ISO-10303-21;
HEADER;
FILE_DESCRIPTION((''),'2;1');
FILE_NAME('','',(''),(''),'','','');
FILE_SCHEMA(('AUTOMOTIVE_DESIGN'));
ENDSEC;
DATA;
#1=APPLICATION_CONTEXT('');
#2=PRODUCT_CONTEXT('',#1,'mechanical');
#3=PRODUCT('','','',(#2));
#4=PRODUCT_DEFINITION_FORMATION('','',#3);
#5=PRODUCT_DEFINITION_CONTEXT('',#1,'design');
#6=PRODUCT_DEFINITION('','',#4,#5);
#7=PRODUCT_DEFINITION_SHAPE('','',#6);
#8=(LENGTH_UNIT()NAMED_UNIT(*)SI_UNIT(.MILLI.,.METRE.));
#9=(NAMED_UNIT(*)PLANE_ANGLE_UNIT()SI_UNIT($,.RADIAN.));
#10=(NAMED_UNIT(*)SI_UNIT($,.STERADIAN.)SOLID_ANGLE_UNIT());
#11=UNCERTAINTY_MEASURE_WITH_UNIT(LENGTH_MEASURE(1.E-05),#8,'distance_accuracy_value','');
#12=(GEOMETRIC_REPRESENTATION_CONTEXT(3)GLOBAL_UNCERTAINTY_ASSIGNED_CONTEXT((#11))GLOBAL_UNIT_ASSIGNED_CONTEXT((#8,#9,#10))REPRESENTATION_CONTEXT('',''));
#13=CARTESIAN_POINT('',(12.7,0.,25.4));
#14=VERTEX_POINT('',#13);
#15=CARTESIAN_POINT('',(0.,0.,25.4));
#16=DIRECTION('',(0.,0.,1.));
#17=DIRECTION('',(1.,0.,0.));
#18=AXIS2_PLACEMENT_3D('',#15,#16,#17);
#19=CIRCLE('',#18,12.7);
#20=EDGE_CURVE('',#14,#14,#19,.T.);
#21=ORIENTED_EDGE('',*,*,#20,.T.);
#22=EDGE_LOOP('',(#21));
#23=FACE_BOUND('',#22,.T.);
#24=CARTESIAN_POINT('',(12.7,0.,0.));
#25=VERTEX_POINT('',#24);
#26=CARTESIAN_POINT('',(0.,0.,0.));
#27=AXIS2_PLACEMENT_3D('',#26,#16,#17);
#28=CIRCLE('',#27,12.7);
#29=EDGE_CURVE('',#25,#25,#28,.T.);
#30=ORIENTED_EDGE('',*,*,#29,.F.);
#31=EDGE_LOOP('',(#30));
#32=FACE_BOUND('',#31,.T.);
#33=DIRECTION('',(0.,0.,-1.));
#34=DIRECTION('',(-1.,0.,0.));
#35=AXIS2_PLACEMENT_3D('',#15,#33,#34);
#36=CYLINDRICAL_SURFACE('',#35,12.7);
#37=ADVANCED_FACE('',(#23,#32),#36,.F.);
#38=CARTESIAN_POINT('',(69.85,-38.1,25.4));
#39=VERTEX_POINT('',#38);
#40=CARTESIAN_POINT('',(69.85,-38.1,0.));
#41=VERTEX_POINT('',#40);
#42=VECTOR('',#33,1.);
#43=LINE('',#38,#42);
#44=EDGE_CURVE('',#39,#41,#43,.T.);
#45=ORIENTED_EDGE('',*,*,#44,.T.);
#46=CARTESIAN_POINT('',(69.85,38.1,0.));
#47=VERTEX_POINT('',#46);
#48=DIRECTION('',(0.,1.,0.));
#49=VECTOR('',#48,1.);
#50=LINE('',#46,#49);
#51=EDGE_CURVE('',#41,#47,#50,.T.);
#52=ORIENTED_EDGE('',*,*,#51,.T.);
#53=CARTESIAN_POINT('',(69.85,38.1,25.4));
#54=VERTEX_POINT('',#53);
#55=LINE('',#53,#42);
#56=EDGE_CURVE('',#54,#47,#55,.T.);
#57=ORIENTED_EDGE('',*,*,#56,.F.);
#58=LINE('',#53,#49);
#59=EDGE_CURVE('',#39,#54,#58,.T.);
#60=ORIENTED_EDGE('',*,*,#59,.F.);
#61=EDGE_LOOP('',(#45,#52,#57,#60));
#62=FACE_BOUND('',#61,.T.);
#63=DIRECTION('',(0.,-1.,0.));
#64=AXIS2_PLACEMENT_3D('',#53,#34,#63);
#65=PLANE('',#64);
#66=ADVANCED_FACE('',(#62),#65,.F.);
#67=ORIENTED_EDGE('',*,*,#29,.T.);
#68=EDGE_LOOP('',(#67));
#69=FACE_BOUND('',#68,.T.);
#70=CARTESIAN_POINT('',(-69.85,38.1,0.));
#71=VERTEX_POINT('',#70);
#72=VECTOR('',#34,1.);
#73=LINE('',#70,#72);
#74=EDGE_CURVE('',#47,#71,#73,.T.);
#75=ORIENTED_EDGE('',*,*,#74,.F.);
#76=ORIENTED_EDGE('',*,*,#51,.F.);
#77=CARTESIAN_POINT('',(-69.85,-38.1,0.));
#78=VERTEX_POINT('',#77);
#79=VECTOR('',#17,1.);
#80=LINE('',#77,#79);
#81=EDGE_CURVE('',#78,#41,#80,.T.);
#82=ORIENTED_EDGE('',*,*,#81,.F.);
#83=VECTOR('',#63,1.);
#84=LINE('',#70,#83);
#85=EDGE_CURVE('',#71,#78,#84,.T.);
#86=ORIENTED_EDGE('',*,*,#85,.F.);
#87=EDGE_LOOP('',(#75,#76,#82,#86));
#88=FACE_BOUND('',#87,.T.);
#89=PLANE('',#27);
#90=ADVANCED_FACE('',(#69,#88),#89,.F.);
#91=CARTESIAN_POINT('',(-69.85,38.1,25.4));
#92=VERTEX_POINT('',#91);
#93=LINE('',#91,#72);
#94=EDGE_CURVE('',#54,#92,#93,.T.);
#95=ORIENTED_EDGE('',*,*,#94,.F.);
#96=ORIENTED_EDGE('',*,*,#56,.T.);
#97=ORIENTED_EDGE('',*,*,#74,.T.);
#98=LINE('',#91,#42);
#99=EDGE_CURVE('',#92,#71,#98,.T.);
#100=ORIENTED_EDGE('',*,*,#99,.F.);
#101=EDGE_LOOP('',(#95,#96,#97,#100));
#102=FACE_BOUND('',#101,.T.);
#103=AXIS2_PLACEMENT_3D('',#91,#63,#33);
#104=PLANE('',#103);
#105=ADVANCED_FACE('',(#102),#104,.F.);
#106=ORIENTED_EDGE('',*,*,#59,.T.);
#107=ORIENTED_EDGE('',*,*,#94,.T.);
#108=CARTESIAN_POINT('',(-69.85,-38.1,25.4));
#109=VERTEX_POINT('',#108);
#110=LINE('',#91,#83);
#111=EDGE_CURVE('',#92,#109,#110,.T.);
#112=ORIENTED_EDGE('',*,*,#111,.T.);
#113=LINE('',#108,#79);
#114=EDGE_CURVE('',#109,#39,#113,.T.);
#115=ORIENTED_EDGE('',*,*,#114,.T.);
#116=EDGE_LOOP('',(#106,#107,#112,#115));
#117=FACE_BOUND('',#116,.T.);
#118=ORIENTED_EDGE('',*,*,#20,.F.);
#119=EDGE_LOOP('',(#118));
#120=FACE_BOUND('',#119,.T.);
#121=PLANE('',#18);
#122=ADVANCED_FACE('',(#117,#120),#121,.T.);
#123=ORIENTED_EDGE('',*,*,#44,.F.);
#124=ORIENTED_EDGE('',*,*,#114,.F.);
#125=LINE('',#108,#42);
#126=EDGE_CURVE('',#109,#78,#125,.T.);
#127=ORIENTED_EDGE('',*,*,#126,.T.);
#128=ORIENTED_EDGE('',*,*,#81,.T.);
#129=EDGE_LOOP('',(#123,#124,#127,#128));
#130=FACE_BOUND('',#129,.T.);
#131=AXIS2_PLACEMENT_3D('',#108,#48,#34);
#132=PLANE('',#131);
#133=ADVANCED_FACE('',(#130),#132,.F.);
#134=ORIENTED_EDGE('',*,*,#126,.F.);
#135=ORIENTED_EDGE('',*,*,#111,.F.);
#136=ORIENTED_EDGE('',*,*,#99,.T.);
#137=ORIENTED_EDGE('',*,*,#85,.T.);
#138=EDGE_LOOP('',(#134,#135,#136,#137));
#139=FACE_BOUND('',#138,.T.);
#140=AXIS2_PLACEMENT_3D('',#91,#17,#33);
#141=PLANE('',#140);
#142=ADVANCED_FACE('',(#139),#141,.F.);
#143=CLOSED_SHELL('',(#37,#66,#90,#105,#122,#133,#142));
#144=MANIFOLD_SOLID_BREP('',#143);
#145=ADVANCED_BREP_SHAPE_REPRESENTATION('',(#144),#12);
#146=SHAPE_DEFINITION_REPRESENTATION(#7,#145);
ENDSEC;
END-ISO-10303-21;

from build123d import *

# Parameters (mm, degrees)
SKETCH1_W           = 139.7
SKETCH1_H           = 76.2
SKETCH1_R           = 12.7
BOSS_EXTRUDE2_DEPTH = 25.4


with BuildPart() as part:
    # Sketch1 → Boss-Extrude2 (new body)
    with BuildSketch(Plane.XY):
        Rectangle(SKETCH1_W, SKETCH1_H)
        Circle(SKETCH1_R, mode=Mode.SUBTRACT)
    extrude(amount=BOSS_EXTRUDE2_DEPTH)


solid = part.part
